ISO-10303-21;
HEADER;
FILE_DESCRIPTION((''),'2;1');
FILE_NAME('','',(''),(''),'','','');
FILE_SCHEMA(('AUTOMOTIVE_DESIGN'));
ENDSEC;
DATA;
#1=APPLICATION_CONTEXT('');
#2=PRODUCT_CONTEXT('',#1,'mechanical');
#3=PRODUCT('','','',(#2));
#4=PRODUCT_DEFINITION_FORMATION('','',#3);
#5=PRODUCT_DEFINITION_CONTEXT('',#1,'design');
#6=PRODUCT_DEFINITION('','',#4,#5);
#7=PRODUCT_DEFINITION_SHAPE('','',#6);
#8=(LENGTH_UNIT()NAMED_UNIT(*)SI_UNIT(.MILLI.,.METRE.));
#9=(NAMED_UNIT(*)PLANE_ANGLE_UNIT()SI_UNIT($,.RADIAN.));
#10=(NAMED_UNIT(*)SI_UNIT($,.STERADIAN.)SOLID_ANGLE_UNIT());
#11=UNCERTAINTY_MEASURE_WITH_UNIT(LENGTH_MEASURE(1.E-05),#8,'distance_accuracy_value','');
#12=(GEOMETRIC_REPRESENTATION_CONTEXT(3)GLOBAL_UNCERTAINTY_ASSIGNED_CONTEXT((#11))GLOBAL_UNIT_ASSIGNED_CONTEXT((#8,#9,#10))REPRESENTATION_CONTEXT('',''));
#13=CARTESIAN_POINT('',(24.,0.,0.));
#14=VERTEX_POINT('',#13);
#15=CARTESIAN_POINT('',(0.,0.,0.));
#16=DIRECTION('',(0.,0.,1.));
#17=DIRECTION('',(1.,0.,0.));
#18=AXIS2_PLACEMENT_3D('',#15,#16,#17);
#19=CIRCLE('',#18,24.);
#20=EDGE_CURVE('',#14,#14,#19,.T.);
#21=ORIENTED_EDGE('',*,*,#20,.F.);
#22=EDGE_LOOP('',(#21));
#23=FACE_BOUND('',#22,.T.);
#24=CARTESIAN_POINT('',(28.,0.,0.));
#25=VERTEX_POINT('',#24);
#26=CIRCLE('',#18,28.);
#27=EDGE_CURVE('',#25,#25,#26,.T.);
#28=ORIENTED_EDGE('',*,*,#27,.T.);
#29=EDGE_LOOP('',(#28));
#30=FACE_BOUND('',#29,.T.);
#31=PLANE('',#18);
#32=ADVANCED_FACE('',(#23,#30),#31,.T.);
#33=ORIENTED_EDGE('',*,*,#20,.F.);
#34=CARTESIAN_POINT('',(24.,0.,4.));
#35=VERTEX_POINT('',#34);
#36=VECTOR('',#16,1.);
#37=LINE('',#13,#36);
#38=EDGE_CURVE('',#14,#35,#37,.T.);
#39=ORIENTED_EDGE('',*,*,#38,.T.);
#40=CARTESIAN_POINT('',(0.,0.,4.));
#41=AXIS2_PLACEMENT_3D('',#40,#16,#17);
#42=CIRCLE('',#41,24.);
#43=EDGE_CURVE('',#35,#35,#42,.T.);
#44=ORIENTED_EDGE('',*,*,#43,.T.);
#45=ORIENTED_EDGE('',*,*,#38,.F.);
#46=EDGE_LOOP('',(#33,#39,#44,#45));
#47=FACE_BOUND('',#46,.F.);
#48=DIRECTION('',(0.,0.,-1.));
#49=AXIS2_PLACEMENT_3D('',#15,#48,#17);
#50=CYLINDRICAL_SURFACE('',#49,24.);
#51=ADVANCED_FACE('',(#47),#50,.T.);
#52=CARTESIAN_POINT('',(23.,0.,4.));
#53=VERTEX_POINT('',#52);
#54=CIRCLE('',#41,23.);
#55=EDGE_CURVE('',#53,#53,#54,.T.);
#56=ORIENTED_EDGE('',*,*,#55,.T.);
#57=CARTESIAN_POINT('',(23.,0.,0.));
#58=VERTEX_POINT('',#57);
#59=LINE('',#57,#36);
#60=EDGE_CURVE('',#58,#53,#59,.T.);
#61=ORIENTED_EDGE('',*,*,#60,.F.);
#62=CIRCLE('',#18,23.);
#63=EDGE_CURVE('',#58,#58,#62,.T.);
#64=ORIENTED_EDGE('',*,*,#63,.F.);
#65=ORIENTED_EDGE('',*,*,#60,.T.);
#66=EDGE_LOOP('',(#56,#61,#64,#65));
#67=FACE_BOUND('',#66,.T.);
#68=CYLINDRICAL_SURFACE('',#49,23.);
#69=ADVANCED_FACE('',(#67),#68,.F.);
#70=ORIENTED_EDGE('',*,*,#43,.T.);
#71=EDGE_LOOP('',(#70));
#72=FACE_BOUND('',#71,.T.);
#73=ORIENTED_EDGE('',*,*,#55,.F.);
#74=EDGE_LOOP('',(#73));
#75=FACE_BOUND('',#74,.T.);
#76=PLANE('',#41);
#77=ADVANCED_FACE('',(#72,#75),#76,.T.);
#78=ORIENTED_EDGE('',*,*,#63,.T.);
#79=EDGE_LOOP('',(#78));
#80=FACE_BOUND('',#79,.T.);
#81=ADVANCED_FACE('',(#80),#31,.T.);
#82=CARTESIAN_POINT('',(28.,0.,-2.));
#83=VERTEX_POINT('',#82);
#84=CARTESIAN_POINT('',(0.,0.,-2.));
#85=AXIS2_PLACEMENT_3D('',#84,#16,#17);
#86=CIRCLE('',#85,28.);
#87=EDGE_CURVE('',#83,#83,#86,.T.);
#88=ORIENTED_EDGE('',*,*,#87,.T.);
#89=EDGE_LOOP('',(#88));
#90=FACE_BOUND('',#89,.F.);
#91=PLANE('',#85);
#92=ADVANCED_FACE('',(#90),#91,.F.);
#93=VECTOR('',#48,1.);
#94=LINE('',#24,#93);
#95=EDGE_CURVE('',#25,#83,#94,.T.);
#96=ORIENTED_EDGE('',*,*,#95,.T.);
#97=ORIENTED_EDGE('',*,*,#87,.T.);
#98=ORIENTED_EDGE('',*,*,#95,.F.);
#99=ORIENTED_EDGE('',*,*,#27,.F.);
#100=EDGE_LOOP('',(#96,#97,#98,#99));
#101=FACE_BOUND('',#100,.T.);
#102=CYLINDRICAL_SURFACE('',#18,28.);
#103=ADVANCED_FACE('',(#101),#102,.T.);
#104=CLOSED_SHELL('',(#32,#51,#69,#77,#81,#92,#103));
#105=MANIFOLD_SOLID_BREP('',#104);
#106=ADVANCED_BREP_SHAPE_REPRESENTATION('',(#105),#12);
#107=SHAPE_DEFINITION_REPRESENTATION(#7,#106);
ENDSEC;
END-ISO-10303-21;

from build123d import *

# Parameters (mm, degrees)
F0_R     = 28
F0_R_2   = 24
F0_R_3   = 23
F1_DEPTH = 2
F2_DEPTH = 4


with BuildPart() as f1:
    # F0 (on Top) → F1 (new body)
    with BuildSketch(Plane.XY):
        Circle(F0_R)
        Circle(F0_R_2, mode=Mode.SUBTRACT)
        Circle(F0_R_2)
        Circle(F0_R_3, mode=Mode.SUBTRACT)
        Circle(F0_R_3)
    extrude(amount=-F1_DEPTH)

    # F0 (on Top) → F2 (join)
    with BuildSketch(Plane.XY):
        Circle(F0_R_2)
        Circle(F0_R_3, mode=Mode.SUBTRACT)
    extrude(amount=F2_DEPTH)


solid = f1.part
